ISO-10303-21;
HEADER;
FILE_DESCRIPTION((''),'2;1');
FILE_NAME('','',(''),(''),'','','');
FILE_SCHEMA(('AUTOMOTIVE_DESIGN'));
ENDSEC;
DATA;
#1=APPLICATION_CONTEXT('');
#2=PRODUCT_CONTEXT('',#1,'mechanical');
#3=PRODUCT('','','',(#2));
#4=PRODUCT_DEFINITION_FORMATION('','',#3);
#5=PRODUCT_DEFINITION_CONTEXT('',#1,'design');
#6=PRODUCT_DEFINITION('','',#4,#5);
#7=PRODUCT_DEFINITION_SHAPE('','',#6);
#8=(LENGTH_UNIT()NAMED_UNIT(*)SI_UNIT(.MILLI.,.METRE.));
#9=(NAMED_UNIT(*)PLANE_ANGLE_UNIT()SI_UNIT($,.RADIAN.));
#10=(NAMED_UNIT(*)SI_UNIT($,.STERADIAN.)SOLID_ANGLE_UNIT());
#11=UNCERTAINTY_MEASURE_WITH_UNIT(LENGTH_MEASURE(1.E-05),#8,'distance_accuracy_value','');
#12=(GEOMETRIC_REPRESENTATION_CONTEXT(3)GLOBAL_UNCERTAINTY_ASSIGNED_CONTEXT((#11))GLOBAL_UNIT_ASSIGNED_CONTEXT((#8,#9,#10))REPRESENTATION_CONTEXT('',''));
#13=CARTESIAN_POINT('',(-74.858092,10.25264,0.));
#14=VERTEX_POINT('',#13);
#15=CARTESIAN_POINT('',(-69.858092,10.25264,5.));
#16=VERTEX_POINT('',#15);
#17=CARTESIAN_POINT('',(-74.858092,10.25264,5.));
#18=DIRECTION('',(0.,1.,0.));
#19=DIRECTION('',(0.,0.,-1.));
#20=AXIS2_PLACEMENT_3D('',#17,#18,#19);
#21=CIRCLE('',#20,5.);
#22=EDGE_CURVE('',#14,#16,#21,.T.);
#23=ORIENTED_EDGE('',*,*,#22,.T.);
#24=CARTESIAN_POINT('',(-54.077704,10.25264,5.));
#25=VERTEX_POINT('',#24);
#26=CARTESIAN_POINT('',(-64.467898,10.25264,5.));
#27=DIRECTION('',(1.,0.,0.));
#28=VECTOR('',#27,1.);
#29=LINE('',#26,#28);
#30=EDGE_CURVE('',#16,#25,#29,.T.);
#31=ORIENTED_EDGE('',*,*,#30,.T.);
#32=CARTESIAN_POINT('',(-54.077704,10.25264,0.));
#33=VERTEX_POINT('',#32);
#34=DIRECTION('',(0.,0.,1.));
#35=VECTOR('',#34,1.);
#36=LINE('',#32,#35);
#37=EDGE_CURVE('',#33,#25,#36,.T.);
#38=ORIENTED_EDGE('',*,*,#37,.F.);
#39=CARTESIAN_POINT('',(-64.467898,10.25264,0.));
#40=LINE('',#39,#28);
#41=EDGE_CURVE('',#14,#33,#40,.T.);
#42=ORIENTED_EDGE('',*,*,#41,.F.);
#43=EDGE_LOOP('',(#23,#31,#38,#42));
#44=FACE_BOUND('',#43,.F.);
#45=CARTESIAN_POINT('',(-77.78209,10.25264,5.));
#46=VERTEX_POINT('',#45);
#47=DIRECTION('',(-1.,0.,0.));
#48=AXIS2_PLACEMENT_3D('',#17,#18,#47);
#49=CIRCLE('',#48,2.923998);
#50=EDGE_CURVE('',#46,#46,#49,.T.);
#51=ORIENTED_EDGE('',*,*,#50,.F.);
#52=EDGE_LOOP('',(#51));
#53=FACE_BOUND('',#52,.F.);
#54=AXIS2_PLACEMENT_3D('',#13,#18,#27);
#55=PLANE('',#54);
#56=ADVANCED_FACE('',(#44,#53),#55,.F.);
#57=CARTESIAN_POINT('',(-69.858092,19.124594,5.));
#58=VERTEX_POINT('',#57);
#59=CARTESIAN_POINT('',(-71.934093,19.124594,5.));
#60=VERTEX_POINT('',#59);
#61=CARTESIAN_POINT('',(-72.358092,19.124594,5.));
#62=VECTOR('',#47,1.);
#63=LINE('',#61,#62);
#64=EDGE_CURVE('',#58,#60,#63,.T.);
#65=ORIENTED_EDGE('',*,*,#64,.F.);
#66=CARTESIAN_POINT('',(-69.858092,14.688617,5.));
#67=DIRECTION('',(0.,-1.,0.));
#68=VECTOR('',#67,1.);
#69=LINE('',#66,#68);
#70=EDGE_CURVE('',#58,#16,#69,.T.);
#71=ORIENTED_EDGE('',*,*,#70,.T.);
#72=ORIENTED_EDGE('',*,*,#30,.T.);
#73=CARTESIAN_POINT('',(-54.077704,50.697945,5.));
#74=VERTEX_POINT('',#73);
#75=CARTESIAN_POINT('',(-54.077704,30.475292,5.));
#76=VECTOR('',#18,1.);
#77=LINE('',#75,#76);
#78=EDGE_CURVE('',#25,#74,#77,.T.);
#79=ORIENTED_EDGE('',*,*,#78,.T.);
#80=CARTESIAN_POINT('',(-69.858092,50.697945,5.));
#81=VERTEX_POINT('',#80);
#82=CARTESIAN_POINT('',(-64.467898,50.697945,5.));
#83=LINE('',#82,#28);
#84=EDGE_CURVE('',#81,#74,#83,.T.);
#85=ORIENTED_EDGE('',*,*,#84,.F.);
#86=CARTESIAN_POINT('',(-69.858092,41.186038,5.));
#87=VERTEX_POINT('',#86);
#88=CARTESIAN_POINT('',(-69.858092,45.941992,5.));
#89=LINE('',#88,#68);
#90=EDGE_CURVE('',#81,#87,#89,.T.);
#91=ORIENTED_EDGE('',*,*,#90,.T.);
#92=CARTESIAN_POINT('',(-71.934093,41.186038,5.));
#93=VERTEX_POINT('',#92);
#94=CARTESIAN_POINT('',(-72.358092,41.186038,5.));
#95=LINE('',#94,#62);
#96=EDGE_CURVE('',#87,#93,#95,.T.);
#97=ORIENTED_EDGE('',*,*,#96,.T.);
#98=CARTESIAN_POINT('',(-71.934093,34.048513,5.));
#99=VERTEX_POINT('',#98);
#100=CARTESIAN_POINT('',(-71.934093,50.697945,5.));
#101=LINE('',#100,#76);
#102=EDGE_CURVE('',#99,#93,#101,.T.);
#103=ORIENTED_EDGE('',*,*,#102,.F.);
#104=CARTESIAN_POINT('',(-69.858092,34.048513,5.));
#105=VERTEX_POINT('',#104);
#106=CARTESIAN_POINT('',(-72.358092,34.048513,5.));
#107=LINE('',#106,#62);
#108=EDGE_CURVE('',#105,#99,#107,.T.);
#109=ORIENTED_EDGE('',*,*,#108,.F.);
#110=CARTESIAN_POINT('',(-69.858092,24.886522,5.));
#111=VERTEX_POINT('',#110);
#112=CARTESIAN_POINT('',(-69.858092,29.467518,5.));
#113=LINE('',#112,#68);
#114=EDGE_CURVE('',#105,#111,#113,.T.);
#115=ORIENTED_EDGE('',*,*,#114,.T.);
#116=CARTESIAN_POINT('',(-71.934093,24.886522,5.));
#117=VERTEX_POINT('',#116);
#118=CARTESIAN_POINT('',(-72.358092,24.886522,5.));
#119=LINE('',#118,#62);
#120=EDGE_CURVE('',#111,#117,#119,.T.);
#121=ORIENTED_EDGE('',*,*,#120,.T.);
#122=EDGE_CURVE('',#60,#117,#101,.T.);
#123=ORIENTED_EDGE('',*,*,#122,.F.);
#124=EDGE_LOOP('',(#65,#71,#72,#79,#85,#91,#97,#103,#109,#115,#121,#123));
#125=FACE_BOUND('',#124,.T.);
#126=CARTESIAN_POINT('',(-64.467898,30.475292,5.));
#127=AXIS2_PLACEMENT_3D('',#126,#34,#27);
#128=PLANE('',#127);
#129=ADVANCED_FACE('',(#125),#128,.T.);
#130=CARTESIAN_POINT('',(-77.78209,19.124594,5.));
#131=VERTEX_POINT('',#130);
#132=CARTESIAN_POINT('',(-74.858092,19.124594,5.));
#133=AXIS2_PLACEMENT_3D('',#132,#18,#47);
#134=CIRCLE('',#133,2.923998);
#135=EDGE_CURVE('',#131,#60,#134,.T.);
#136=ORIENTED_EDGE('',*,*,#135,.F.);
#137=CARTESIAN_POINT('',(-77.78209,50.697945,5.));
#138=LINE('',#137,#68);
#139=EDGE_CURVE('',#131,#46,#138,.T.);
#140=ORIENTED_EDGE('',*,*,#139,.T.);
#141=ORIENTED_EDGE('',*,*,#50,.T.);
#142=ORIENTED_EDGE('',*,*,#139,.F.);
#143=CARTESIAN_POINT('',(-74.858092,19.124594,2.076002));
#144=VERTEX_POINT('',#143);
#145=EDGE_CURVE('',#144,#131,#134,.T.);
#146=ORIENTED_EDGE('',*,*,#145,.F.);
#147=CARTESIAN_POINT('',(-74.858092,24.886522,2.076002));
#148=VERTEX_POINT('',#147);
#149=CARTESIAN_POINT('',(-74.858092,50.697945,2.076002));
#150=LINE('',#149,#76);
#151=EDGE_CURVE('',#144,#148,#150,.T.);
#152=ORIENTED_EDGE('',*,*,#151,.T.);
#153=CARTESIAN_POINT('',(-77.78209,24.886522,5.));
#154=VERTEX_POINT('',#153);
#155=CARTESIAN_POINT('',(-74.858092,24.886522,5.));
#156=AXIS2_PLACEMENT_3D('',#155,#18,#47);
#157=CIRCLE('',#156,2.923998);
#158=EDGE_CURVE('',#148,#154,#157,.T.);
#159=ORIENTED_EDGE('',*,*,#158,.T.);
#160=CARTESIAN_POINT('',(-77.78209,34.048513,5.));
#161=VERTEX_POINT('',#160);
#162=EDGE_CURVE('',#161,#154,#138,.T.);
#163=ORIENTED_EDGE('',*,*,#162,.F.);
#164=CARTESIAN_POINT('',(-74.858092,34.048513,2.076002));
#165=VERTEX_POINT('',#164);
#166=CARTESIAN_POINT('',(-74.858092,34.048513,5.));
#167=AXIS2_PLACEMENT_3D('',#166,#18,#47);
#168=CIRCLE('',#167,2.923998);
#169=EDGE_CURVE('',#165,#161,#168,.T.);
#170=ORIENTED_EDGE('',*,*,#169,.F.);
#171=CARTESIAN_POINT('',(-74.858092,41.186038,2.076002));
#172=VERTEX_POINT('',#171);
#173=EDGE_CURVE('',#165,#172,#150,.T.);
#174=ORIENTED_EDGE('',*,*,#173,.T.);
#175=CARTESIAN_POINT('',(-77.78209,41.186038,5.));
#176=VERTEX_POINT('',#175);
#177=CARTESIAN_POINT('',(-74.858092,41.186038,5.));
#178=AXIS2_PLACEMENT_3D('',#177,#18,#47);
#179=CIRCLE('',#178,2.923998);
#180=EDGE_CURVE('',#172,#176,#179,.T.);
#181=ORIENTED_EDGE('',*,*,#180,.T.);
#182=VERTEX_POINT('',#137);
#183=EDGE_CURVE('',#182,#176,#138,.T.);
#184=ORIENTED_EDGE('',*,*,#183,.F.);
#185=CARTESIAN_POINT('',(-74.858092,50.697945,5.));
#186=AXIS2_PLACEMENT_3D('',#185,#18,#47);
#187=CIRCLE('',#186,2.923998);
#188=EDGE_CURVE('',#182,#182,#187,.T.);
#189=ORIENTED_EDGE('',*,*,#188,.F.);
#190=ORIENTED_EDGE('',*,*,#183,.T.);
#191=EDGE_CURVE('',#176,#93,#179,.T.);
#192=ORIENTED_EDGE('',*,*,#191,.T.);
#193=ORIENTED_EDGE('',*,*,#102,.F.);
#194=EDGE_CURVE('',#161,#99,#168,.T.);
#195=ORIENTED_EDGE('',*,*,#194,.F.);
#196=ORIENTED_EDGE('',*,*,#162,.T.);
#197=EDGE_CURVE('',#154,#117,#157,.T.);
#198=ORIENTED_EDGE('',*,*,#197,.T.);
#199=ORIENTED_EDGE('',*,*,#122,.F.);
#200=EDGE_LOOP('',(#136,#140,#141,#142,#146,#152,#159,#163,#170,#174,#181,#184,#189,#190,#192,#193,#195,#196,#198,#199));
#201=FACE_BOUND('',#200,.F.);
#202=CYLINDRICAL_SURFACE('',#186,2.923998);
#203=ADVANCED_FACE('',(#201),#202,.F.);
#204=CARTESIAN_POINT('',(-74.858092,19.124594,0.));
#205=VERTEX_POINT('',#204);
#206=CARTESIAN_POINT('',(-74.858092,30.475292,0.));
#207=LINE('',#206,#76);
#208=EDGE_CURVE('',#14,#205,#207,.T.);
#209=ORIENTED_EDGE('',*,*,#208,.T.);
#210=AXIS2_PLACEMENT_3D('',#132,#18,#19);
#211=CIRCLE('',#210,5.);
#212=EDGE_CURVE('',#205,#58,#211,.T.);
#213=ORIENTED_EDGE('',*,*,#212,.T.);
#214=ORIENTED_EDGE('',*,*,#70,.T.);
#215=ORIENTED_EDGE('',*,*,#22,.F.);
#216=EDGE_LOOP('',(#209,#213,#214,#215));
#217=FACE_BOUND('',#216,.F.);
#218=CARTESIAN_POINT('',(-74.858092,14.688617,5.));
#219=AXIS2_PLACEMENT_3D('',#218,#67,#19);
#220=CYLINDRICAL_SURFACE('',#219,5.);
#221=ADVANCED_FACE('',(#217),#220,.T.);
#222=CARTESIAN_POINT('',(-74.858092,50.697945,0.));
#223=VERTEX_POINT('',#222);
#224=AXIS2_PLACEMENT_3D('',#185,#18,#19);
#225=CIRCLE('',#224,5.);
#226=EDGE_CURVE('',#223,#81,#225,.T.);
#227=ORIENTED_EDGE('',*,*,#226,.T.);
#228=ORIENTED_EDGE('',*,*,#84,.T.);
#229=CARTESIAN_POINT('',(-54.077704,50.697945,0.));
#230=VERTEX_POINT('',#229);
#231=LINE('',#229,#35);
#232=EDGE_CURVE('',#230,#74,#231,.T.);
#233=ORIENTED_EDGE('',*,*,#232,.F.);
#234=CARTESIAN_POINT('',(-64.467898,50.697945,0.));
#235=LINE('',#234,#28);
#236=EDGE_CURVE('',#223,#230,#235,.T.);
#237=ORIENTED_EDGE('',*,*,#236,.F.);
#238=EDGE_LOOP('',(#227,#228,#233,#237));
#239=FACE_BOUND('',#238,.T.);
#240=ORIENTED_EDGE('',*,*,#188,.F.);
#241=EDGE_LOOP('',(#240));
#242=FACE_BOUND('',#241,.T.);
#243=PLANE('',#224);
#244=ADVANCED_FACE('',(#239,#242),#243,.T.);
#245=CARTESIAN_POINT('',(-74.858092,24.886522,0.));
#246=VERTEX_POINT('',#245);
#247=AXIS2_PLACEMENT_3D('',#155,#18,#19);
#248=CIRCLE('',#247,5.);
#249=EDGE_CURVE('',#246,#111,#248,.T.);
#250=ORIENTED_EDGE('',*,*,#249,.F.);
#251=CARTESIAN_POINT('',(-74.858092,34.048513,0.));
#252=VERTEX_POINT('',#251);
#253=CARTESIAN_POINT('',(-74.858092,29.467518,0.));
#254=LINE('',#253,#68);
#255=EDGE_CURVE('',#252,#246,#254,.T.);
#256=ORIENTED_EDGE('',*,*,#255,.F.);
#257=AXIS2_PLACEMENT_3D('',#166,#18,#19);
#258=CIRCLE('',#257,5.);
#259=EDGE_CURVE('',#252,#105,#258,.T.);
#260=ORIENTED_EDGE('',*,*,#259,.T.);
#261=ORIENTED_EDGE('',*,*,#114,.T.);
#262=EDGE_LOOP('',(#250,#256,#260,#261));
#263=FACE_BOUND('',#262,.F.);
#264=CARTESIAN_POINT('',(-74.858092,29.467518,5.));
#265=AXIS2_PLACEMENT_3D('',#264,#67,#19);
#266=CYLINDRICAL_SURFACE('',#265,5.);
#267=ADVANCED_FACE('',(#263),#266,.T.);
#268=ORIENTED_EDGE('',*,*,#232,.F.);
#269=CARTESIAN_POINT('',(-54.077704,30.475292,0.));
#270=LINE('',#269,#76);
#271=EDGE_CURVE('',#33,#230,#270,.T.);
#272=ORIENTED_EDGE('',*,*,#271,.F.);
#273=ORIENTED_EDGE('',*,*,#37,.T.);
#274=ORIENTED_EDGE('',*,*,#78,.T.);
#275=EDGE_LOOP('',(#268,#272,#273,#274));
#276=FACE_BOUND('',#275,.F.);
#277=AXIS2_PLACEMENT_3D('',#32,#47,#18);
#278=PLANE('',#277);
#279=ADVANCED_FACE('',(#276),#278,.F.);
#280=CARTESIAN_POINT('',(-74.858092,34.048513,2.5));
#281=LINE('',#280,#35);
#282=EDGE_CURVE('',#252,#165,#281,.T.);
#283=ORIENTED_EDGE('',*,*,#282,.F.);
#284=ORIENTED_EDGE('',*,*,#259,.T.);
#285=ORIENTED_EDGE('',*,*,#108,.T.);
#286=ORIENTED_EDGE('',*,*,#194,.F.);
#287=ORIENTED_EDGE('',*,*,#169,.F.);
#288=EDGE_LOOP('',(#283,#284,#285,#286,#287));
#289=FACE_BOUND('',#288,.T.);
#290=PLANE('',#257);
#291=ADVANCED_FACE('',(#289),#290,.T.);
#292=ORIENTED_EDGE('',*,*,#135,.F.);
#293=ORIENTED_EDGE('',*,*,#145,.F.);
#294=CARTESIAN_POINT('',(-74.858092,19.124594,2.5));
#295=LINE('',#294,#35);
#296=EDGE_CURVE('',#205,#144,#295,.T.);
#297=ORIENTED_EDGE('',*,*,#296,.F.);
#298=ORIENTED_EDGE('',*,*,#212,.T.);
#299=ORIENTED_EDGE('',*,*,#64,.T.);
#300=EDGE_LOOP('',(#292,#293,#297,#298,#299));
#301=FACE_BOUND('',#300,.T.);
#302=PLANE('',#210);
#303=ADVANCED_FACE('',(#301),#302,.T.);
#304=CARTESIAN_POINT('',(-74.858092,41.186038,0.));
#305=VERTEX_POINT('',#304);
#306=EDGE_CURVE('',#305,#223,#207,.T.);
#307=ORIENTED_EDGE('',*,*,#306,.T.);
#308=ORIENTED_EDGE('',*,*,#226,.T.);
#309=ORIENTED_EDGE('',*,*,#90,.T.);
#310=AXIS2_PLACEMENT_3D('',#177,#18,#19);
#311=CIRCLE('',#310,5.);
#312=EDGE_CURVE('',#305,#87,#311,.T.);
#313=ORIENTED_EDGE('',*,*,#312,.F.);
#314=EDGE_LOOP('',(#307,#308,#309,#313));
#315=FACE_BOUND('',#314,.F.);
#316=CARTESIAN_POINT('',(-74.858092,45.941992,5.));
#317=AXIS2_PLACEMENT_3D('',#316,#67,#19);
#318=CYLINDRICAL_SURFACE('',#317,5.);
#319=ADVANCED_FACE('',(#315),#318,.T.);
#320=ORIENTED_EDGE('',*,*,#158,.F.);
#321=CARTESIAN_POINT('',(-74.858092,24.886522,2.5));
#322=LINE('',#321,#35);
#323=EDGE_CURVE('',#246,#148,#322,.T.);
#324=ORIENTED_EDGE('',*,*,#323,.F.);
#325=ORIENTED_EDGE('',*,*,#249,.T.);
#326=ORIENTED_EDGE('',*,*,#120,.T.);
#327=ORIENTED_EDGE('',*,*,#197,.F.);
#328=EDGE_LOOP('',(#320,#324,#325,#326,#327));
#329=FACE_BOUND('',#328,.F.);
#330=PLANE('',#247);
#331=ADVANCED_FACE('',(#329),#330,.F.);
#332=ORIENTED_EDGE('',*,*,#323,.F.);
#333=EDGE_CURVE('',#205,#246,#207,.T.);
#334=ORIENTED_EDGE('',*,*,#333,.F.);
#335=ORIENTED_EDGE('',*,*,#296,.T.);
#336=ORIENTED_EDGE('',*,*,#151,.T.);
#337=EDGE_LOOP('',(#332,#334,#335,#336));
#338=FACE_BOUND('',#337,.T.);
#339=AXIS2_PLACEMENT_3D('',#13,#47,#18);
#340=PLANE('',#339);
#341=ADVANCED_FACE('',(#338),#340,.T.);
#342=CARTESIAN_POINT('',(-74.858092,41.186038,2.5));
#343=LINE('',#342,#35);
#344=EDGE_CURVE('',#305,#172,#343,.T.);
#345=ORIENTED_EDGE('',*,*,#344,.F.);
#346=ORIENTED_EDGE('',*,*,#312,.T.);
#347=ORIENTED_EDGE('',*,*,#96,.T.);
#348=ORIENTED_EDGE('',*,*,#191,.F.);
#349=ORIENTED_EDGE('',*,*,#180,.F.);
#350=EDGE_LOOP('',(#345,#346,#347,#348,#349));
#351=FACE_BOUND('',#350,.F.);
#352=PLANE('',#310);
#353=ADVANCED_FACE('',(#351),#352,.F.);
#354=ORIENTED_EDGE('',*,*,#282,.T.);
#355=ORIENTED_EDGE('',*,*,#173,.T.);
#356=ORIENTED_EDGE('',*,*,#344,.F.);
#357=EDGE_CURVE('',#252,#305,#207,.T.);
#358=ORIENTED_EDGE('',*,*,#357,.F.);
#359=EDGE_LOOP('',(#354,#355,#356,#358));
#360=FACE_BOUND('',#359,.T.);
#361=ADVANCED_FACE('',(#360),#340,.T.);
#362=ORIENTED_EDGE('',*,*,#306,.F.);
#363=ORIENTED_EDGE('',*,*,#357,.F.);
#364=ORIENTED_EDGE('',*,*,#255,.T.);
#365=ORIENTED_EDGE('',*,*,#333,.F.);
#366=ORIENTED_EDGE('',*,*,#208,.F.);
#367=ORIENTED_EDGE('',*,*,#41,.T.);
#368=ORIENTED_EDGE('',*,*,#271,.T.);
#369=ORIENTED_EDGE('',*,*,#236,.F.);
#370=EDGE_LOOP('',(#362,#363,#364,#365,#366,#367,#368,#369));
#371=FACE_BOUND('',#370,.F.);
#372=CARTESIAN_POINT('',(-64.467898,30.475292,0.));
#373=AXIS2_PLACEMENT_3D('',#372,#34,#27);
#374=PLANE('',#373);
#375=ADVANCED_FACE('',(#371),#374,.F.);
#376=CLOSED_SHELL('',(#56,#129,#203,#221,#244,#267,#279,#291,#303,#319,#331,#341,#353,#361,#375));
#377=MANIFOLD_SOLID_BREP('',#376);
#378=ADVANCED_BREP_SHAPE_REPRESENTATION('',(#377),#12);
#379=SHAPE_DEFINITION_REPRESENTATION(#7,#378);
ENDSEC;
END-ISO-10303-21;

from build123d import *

# Parameters (mm, degrees)
F0_W     = 20.7803882658
F0_H     = 40.445305407
F1_DEPTH = 5
F2_W     = 9.5119066536
F2_H     = 5
F2_W_2   = 9.1619901359
F2_W_3   = 8.8719539344
F3_ANGLE = 270
F4_R     = 2.9239984628
F5_DEPTH = 100


with BuildPart() as f1:
    # F0 (on Top) → F1 (new body)
    with BuildSketch(Plane.XY):
        with Locations((-64.4678976387, 30.4752923548)):
            Rectangle(F0_W, F0_H)
    extrude(amount=F1_DEPTH)

    # F2 (on face) → F3 (revolve)
    with BuildSketch(Plane(origin=(-74.8580917716, 0, 0), x_dir=(0, -1, 0), z_dir=(-1, 0, 0))):
        with Locations((-45.9419917315, 2.5)):
            Rectangle(F2_W, F2_H)
        with Locations((-29.4675175101, 2.5)):
            Rectangle(F2_W_2, F2_H)
        with Locations((-14.6886166185, 2.5)):
            Rectangle(F2_W_3, F2_H)
    revolve(axis=Axis((-74.8580917716, 28.935774928, 5), (0, 1, 0)), revolution_arc=F3_ANGLE)

    # F4 (on face) → F5 (cut)
    with BuildSketch(Plane(origin=(0, 50.6979450583, 0), x_dir=(-1, 0, 0), z_dir=(0, 1, 0))):
        with Locations((74.8580917716, 5)):
            Circle(F4_R)
    extrude(amount=-F5_DEPTH, mode=Mode.SUBTRACT)


solid = f1.part
